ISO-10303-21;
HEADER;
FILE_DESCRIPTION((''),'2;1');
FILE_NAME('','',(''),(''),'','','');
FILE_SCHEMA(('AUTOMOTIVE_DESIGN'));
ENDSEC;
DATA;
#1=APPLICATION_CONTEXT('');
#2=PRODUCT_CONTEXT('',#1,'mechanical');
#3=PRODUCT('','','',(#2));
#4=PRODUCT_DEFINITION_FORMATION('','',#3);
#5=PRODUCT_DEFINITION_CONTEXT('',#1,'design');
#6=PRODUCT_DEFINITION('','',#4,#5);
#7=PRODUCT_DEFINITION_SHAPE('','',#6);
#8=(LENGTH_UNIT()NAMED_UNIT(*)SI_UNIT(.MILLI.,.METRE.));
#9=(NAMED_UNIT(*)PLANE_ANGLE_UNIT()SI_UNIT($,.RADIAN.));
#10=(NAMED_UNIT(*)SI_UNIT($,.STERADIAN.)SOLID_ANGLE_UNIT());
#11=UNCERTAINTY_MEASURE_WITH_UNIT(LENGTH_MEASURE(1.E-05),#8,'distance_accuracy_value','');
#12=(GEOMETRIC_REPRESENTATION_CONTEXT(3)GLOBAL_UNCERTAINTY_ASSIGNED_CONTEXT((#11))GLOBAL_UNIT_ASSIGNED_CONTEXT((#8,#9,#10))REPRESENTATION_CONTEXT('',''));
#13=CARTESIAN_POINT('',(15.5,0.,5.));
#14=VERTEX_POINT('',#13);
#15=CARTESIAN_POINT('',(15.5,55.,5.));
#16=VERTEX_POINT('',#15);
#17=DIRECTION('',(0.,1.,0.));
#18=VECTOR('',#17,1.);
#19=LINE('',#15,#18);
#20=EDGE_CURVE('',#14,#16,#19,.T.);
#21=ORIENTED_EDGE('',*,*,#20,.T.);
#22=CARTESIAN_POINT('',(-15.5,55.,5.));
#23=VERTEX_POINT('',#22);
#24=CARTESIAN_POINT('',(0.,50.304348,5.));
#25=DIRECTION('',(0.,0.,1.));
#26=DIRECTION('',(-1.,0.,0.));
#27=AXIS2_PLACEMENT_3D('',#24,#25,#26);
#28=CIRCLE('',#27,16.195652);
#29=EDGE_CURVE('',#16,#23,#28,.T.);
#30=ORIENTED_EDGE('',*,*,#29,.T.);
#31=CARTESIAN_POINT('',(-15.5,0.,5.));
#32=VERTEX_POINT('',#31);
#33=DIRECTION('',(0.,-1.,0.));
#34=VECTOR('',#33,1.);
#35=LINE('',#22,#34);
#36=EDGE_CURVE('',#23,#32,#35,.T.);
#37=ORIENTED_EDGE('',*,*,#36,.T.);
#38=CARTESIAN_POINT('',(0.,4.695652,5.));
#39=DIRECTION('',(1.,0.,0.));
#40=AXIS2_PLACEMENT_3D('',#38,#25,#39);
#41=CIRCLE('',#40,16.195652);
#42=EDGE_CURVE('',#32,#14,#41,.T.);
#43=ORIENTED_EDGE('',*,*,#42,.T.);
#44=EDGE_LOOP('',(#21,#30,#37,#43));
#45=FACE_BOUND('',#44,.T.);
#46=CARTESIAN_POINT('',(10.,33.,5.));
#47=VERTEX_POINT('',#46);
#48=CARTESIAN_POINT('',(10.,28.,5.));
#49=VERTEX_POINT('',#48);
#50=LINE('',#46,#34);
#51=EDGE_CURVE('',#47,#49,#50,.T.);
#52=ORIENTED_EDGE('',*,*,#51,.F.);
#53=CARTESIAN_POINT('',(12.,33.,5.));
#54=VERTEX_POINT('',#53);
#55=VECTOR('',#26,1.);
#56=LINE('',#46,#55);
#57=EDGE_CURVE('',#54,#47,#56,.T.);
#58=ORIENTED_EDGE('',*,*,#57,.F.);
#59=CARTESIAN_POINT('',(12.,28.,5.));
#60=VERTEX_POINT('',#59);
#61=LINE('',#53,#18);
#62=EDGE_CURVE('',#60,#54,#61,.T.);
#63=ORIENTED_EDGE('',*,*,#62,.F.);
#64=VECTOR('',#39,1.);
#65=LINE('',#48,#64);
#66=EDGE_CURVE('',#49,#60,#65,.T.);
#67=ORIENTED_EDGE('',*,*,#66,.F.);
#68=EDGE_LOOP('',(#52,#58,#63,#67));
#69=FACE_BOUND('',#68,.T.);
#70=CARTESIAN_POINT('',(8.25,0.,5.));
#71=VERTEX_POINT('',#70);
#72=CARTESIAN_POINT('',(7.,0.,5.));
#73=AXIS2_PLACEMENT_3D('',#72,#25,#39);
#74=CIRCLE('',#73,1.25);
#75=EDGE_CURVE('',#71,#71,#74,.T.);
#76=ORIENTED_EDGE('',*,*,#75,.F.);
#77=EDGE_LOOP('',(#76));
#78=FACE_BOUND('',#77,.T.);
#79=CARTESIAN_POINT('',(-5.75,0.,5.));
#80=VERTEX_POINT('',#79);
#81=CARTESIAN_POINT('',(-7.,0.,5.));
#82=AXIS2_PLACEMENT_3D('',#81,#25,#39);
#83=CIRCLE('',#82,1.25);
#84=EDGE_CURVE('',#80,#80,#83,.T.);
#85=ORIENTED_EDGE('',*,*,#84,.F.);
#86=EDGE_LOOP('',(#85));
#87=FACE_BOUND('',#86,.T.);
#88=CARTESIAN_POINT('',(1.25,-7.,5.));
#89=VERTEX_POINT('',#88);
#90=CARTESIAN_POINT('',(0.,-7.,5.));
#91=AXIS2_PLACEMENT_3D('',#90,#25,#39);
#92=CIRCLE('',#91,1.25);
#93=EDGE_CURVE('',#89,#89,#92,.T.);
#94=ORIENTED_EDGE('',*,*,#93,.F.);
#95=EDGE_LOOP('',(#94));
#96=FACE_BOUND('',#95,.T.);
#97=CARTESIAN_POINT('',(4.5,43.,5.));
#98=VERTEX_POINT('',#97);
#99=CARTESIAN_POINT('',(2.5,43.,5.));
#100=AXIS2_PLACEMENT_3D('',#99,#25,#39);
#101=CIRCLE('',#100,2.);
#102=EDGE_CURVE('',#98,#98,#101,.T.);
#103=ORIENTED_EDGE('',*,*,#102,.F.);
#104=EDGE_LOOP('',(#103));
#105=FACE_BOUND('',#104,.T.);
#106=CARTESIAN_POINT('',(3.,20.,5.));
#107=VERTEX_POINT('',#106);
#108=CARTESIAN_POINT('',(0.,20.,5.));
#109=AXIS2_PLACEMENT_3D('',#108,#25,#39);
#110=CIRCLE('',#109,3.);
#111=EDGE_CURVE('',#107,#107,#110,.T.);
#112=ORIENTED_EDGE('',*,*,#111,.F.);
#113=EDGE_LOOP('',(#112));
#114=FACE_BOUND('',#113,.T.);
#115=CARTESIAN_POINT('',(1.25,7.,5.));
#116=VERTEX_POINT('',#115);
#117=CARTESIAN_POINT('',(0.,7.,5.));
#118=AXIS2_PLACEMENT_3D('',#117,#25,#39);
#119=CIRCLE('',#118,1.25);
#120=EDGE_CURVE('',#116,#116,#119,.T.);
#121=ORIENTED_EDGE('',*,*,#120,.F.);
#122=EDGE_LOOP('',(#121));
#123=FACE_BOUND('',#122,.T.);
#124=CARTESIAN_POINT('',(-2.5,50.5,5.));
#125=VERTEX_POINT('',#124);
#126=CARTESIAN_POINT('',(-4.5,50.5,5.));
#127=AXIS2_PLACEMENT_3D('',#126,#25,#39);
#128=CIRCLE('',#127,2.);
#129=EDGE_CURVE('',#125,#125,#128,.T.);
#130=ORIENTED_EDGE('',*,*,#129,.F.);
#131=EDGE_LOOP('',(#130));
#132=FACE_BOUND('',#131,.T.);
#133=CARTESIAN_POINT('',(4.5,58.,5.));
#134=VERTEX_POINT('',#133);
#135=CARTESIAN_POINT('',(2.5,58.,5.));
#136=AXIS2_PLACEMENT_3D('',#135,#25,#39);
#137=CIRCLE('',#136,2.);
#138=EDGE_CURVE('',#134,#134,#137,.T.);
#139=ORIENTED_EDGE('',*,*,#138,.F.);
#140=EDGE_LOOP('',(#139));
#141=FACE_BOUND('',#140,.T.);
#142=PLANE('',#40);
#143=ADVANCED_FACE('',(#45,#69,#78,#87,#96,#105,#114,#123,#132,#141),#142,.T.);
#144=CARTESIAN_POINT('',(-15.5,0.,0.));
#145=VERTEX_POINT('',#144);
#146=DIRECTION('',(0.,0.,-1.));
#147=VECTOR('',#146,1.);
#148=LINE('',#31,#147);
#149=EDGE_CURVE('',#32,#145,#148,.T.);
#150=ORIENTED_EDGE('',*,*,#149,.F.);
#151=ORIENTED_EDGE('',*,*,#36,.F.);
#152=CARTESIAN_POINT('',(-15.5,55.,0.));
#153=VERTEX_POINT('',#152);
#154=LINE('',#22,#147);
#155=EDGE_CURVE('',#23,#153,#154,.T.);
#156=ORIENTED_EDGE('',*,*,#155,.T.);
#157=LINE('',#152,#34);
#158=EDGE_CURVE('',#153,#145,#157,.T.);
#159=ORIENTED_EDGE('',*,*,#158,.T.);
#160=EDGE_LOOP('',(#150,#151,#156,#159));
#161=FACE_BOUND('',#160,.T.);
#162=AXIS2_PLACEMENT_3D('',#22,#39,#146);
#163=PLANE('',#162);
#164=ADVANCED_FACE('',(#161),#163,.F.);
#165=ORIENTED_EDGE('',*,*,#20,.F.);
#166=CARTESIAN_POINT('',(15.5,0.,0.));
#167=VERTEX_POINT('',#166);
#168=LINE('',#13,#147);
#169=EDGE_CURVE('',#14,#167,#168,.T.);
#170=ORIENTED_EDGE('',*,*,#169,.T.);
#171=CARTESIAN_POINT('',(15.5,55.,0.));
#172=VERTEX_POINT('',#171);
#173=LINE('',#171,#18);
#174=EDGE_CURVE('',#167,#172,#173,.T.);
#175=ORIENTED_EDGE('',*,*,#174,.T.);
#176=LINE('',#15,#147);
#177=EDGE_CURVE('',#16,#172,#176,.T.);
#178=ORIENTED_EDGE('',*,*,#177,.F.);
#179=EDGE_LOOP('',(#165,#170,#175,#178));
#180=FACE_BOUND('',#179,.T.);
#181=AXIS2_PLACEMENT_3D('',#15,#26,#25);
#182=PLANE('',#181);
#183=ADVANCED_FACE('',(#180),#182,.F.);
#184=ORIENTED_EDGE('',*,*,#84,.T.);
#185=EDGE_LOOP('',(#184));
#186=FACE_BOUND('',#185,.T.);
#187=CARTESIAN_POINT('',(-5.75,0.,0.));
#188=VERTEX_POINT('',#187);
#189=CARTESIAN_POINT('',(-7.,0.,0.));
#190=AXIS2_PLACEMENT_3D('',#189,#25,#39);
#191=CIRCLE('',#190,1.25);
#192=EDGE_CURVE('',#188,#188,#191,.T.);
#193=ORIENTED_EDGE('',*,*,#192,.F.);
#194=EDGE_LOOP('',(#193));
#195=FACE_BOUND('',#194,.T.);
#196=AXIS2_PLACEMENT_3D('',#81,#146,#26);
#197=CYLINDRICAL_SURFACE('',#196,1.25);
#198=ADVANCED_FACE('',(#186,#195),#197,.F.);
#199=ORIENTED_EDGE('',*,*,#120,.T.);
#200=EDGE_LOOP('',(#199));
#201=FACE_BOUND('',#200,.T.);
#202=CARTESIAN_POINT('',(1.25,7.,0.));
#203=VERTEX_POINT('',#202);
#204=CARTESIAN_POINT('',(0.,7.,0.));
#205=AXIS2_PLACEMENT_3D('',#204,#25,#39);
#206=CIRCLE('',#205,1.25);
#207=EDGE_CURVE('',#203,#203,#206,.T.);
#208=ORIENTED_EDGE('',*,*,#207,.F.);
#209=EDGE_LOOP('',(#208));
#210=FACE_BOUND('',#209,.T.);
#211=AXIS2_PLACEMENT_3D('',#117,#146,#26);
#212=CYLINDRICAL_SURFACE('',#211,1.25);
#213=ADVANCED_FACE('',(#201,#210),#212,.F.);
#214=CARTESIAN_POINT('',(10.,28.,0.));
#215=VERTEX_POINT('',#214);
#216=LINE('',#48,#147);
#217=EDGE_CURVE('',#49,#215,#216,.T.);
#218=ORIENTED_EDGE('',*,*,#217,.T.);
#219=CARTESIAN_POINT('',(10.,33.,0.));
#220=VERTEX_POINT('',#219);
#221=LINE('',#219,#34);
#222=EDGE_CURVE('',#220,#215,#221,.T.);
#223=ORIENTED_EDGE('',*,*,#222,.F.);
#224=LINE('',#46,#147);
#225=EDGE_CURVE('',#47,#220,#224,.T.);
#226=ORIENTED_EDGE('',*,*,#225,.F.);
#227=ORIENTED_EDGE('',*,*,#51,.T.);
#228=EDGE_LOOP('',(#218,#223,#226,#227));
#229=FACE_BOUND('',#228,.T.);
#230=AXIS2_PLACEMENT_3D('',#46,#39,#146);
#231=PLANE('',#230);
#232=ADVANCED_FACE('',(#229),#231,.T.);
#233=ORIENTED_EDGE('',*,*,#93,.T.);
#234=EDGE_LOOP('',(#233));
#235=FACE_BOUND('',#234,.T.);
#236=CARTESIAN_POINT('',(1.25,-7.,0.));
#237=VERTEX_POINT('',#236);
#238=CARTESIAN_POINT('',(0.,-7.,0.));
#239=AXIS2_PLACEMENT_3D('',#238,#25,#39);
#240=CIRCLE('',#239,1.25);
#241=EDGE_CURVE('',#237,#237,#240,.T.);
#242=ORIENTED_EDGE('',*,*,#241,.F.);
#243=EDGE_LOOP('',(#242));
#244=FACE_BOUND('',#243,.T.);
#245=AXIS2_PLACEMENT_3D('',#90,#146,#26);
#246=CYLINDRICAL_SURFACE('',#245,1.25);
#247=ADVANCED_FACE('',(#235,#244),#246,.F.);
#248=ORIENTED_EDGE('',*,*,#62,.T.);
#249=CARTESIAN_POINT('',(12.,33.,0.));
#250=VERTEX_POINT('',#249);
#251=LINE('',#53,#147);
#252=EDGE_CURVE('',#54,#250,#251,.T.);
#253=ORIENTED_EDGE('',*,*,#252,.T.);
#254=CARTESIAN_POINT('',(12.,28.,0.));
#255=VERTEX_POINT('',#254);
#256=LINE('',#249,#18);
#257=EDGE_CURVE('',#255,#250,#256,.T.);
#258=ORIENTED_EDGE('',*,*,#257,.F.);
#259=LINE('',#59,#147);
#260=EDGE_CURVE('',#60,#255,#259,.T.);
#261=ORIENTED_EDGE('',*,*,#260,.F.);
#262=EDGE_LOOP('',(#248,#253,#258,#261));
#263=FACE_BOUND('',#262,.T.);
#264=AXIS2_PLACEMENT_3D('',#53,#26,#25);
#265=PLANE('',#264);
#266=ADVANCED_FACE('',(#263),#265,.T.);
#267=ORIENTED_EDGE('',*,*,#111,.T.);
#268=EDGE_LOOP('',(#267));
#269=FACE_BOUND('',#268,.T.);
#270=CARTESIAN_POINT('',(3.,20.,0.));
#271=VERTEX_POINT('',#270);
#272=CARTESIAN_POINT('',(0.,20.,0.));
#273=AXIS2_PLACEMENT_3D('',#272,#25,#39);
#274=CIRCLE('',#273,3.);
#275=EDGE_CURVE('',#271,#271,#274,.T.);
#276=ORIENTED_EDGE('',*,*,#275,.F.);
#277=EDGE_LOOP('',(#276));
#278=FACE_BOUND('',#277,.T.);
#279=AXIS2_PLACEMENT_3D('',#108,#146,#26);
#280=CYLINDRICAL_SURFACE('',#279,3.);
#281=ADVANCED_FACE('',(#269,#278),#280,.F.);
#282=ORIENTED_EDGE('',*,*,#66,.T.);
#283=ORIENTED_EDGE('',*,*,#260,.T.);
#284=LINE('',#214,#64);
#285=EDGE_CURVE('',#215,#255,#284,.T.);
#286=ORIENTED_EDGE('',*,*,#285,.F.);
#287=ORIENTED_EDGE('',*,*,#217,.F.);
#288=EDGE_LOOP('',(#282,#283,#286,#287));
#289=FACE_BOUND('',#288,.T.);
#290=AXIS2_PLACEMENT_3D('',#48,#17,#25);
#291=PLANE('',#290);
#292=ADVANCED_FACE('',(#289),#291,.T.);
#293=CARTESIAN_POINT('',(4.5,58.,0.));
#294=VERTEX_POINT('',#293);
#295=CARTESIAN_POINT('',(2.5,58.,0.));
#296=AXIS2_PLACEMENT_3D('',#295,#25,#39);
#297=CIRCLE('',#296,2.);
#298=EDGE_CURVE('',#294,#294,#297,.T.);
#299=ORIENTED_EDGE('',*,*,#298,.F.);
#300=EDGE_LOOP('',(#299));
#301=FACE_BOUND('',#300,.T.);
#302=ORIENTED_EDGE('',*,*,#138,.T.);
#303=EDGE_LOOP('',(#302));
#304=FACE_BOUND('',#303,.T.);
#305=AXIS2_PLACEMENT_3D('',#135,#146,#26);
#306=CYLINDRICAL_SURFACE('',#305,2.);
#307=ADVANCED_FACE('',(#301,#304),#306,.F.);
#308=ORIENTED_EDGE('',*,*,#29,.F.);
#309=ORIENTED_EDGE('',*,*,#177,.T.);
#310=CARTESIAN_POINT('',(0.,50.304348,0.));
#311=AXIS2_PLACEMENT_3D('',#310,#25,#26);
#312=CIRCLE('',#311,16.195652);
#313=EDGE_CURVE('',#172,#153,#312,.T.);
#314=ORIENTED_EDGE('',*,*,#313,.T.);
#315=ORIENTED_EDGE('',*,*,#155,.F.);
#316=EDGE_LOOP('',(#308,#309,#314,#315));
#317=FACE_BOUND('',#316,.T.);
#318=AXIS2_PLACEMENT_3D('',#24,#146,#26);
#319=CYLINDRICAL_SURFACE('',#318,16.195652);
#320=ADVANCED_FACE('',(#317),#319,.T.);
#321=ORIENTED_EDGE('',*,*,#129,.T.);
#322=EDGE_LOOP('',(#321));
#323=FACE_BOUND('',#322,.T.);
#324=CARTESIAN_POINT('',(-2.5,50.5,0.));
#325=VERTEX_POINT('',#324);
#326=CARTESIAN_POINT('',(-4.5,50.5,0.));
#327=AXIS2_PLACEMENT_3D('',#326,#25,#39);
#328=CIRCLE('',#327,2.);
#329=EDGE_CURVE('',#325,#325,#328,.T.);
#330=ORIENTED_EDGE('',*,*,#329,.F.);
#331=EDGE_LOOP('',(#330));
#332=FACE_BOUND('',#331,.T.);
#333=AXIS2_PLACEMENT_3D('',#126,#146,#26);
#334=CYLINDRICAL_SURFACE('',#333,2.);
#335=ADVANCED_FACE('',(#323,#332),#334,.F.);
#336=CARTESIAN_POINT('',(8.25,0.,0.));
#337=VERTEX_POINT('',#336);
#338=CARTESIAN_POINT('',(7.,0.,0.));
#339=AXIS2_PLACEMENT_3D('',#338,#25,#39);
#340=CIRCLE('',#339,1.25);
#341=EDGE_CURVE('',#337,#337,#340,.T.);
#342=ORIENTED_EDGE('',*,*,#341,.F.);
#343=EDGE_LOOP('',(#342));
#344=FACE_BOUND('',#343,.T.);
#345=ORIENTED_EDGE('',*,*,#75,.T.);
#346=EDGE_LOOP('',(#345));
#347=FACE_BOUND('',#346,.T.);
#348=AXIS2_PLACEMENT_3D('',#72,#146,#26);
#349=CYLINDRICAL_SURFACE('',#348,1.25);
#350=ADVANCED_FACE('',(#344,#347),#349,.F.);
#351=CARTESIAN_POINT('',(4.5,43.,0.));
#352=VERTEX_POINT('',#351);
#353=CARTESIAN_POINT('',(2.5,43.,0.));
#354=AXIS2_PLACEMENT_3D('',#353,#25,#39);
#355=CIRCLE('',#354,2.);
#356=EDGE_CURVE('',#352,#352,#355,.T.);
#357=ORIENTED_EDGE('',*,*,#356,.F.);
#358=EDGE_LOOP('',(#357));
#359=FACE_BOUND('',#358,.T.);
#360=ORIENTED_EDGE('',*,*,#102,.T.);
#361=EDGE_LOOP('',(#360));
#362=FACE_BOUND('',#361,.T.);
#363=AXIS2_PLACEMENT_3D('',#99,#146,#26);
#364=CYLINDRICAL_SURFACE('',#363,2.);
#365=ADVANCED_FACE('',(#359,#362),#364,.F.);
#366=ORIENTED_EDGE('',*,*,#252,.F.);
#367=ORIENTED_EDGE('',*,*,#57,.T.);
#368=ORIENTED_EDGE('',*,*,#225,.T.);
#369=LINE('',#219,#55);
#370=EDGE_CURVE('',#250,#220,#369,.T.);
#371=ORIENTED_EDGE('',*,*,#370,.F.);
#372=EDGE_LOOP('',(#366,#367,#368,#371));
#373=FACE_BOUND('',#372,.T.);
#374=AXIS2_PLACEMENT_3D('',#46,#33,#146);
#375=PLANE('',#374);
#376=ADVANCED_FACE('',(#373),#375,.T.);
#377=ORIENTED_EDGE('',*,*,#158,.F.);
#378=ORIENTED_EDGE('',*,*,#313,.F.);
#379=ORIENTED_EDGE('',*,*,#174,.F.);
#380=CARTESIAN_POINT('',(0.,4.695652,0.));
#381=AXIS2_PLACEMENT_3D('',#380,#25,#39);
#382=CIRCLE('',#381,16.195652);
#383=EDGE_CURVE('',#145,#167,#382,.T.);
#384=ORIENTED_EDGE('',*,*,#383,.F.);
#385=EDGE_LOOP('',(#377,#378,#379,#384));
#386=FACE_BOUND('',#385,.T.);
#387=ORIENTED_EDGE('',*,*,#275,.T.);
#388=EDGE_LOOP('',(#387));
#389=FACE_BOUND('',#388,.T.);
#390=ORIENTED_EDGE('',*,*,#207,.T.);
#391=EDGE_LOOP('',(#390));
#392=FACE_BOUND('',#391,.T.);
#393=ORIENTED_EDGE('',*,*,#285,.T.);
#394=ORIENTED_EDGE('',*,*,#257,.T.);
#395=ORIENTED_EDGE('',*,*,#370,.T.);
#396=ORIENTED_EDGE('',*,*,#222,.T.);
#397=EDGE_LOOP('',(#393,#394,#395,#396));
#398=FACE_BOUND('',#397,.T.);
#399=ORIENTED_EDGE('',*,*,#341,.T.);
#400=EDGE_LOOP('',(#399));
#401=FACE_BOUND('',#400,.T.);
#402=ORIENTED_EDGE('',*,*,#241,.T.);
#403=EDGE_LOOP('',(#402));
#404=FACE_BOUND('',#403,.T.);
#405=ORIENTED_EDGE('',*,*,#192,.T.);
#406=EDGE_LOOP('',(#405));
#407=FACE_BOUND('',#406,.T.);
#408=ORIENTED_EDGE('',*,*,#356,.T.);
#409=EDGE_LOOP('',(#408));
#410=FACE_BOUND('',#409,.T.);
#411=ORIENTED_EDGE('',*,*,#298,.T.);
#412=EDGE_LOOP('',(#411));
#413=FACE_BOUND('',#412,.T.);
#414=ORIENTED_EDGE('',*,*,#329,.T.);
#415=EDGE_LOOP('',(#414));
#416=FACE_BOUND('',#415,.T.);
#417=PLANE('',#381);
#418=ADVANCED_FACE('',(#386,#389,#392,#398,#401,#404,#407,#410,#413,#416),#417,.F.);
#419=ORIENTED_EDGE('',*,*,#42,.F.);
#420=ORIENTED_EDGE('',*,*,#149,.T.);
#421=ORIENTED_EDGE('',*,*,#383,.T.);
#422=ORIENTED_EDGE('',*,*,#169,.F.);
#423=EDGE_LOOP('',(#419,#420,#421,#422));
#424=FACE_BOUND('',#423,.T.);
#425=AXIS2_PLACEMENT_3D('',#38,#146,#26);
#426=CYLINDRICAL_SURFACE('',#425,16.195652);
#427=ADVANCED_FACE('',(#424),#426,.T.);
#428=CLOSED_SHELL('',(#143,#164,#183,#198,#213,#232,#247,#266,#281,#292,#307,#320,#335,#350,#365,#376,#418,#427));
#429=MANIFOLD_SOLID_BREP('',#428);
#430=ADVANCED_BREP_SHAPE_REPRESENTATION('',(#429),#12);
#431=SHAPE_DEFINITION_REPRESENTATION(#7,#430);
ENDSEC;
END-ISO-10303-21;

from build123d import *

# Parameters (mm, degrees)
SKETCH1_R           = 1.25
SKETCH1_R_2         = 3
SKETCH1_R_3         = 2
SKETCH1_W           = 2
SKETCH1_H           = 5
BOSS_EXTRUDE1_DEPTH = 5


with BuildPart() as part:
    # Sketch1 → Boss-Extrude1 (new body)
    with BuildSketch(Plane.XY):
        with BuildLine():
            Line((-15.5, 55), (-15.5, 0))
            ThreePointArc((-15.5, 0), (0, -11.5), (15.5, 0))
            Line((15.5, 0), (15.5, 55))
            ThreePointArc((15.5, 55), (0, 66.5), (-15.5, 55))
        make_face()
        with Locations((0, 7)):
            Circle(SKETCH1_R, mode=Mode.SUBTRACT)
        with Locations((7, 0)):
            Circle(SKETCH1_R, mode=Mode.SUBTRACT)
        with Locations((0, -7)):
            Circle(SKETCH1_R, mode=Mode.SUBTRACT)
        with Locations((-7, 0)):
            Circle(SKETCH1_R, mode=Mode.SUBTRACT)
        with Locations((0, 20)):
            Circle(SKETCH1_R_2, mode=Mode.SUBTRACT)
        with Locations((2.5, 58)):
            Circle(SKETCH1_R_3, mode=Mode.SUBTRACT)
        with Locations((2.5, 43)):
            Circle(SKETCH1_R_3, mode=Mode.SUBTRACT)
        with Locations((-4.5, 50.5)):
            Circle(SKETCH1_R_3, mode=Mode.SUBTRACT)
        with Locations((11, 30.5)):
            Rectangle(SKETCH1_W, SKETCH1_H, mode=Mode.SUBTRACT)
    extrude(amount=BOSS_EXTRUDE1_DEPTH)


solid = part.part
